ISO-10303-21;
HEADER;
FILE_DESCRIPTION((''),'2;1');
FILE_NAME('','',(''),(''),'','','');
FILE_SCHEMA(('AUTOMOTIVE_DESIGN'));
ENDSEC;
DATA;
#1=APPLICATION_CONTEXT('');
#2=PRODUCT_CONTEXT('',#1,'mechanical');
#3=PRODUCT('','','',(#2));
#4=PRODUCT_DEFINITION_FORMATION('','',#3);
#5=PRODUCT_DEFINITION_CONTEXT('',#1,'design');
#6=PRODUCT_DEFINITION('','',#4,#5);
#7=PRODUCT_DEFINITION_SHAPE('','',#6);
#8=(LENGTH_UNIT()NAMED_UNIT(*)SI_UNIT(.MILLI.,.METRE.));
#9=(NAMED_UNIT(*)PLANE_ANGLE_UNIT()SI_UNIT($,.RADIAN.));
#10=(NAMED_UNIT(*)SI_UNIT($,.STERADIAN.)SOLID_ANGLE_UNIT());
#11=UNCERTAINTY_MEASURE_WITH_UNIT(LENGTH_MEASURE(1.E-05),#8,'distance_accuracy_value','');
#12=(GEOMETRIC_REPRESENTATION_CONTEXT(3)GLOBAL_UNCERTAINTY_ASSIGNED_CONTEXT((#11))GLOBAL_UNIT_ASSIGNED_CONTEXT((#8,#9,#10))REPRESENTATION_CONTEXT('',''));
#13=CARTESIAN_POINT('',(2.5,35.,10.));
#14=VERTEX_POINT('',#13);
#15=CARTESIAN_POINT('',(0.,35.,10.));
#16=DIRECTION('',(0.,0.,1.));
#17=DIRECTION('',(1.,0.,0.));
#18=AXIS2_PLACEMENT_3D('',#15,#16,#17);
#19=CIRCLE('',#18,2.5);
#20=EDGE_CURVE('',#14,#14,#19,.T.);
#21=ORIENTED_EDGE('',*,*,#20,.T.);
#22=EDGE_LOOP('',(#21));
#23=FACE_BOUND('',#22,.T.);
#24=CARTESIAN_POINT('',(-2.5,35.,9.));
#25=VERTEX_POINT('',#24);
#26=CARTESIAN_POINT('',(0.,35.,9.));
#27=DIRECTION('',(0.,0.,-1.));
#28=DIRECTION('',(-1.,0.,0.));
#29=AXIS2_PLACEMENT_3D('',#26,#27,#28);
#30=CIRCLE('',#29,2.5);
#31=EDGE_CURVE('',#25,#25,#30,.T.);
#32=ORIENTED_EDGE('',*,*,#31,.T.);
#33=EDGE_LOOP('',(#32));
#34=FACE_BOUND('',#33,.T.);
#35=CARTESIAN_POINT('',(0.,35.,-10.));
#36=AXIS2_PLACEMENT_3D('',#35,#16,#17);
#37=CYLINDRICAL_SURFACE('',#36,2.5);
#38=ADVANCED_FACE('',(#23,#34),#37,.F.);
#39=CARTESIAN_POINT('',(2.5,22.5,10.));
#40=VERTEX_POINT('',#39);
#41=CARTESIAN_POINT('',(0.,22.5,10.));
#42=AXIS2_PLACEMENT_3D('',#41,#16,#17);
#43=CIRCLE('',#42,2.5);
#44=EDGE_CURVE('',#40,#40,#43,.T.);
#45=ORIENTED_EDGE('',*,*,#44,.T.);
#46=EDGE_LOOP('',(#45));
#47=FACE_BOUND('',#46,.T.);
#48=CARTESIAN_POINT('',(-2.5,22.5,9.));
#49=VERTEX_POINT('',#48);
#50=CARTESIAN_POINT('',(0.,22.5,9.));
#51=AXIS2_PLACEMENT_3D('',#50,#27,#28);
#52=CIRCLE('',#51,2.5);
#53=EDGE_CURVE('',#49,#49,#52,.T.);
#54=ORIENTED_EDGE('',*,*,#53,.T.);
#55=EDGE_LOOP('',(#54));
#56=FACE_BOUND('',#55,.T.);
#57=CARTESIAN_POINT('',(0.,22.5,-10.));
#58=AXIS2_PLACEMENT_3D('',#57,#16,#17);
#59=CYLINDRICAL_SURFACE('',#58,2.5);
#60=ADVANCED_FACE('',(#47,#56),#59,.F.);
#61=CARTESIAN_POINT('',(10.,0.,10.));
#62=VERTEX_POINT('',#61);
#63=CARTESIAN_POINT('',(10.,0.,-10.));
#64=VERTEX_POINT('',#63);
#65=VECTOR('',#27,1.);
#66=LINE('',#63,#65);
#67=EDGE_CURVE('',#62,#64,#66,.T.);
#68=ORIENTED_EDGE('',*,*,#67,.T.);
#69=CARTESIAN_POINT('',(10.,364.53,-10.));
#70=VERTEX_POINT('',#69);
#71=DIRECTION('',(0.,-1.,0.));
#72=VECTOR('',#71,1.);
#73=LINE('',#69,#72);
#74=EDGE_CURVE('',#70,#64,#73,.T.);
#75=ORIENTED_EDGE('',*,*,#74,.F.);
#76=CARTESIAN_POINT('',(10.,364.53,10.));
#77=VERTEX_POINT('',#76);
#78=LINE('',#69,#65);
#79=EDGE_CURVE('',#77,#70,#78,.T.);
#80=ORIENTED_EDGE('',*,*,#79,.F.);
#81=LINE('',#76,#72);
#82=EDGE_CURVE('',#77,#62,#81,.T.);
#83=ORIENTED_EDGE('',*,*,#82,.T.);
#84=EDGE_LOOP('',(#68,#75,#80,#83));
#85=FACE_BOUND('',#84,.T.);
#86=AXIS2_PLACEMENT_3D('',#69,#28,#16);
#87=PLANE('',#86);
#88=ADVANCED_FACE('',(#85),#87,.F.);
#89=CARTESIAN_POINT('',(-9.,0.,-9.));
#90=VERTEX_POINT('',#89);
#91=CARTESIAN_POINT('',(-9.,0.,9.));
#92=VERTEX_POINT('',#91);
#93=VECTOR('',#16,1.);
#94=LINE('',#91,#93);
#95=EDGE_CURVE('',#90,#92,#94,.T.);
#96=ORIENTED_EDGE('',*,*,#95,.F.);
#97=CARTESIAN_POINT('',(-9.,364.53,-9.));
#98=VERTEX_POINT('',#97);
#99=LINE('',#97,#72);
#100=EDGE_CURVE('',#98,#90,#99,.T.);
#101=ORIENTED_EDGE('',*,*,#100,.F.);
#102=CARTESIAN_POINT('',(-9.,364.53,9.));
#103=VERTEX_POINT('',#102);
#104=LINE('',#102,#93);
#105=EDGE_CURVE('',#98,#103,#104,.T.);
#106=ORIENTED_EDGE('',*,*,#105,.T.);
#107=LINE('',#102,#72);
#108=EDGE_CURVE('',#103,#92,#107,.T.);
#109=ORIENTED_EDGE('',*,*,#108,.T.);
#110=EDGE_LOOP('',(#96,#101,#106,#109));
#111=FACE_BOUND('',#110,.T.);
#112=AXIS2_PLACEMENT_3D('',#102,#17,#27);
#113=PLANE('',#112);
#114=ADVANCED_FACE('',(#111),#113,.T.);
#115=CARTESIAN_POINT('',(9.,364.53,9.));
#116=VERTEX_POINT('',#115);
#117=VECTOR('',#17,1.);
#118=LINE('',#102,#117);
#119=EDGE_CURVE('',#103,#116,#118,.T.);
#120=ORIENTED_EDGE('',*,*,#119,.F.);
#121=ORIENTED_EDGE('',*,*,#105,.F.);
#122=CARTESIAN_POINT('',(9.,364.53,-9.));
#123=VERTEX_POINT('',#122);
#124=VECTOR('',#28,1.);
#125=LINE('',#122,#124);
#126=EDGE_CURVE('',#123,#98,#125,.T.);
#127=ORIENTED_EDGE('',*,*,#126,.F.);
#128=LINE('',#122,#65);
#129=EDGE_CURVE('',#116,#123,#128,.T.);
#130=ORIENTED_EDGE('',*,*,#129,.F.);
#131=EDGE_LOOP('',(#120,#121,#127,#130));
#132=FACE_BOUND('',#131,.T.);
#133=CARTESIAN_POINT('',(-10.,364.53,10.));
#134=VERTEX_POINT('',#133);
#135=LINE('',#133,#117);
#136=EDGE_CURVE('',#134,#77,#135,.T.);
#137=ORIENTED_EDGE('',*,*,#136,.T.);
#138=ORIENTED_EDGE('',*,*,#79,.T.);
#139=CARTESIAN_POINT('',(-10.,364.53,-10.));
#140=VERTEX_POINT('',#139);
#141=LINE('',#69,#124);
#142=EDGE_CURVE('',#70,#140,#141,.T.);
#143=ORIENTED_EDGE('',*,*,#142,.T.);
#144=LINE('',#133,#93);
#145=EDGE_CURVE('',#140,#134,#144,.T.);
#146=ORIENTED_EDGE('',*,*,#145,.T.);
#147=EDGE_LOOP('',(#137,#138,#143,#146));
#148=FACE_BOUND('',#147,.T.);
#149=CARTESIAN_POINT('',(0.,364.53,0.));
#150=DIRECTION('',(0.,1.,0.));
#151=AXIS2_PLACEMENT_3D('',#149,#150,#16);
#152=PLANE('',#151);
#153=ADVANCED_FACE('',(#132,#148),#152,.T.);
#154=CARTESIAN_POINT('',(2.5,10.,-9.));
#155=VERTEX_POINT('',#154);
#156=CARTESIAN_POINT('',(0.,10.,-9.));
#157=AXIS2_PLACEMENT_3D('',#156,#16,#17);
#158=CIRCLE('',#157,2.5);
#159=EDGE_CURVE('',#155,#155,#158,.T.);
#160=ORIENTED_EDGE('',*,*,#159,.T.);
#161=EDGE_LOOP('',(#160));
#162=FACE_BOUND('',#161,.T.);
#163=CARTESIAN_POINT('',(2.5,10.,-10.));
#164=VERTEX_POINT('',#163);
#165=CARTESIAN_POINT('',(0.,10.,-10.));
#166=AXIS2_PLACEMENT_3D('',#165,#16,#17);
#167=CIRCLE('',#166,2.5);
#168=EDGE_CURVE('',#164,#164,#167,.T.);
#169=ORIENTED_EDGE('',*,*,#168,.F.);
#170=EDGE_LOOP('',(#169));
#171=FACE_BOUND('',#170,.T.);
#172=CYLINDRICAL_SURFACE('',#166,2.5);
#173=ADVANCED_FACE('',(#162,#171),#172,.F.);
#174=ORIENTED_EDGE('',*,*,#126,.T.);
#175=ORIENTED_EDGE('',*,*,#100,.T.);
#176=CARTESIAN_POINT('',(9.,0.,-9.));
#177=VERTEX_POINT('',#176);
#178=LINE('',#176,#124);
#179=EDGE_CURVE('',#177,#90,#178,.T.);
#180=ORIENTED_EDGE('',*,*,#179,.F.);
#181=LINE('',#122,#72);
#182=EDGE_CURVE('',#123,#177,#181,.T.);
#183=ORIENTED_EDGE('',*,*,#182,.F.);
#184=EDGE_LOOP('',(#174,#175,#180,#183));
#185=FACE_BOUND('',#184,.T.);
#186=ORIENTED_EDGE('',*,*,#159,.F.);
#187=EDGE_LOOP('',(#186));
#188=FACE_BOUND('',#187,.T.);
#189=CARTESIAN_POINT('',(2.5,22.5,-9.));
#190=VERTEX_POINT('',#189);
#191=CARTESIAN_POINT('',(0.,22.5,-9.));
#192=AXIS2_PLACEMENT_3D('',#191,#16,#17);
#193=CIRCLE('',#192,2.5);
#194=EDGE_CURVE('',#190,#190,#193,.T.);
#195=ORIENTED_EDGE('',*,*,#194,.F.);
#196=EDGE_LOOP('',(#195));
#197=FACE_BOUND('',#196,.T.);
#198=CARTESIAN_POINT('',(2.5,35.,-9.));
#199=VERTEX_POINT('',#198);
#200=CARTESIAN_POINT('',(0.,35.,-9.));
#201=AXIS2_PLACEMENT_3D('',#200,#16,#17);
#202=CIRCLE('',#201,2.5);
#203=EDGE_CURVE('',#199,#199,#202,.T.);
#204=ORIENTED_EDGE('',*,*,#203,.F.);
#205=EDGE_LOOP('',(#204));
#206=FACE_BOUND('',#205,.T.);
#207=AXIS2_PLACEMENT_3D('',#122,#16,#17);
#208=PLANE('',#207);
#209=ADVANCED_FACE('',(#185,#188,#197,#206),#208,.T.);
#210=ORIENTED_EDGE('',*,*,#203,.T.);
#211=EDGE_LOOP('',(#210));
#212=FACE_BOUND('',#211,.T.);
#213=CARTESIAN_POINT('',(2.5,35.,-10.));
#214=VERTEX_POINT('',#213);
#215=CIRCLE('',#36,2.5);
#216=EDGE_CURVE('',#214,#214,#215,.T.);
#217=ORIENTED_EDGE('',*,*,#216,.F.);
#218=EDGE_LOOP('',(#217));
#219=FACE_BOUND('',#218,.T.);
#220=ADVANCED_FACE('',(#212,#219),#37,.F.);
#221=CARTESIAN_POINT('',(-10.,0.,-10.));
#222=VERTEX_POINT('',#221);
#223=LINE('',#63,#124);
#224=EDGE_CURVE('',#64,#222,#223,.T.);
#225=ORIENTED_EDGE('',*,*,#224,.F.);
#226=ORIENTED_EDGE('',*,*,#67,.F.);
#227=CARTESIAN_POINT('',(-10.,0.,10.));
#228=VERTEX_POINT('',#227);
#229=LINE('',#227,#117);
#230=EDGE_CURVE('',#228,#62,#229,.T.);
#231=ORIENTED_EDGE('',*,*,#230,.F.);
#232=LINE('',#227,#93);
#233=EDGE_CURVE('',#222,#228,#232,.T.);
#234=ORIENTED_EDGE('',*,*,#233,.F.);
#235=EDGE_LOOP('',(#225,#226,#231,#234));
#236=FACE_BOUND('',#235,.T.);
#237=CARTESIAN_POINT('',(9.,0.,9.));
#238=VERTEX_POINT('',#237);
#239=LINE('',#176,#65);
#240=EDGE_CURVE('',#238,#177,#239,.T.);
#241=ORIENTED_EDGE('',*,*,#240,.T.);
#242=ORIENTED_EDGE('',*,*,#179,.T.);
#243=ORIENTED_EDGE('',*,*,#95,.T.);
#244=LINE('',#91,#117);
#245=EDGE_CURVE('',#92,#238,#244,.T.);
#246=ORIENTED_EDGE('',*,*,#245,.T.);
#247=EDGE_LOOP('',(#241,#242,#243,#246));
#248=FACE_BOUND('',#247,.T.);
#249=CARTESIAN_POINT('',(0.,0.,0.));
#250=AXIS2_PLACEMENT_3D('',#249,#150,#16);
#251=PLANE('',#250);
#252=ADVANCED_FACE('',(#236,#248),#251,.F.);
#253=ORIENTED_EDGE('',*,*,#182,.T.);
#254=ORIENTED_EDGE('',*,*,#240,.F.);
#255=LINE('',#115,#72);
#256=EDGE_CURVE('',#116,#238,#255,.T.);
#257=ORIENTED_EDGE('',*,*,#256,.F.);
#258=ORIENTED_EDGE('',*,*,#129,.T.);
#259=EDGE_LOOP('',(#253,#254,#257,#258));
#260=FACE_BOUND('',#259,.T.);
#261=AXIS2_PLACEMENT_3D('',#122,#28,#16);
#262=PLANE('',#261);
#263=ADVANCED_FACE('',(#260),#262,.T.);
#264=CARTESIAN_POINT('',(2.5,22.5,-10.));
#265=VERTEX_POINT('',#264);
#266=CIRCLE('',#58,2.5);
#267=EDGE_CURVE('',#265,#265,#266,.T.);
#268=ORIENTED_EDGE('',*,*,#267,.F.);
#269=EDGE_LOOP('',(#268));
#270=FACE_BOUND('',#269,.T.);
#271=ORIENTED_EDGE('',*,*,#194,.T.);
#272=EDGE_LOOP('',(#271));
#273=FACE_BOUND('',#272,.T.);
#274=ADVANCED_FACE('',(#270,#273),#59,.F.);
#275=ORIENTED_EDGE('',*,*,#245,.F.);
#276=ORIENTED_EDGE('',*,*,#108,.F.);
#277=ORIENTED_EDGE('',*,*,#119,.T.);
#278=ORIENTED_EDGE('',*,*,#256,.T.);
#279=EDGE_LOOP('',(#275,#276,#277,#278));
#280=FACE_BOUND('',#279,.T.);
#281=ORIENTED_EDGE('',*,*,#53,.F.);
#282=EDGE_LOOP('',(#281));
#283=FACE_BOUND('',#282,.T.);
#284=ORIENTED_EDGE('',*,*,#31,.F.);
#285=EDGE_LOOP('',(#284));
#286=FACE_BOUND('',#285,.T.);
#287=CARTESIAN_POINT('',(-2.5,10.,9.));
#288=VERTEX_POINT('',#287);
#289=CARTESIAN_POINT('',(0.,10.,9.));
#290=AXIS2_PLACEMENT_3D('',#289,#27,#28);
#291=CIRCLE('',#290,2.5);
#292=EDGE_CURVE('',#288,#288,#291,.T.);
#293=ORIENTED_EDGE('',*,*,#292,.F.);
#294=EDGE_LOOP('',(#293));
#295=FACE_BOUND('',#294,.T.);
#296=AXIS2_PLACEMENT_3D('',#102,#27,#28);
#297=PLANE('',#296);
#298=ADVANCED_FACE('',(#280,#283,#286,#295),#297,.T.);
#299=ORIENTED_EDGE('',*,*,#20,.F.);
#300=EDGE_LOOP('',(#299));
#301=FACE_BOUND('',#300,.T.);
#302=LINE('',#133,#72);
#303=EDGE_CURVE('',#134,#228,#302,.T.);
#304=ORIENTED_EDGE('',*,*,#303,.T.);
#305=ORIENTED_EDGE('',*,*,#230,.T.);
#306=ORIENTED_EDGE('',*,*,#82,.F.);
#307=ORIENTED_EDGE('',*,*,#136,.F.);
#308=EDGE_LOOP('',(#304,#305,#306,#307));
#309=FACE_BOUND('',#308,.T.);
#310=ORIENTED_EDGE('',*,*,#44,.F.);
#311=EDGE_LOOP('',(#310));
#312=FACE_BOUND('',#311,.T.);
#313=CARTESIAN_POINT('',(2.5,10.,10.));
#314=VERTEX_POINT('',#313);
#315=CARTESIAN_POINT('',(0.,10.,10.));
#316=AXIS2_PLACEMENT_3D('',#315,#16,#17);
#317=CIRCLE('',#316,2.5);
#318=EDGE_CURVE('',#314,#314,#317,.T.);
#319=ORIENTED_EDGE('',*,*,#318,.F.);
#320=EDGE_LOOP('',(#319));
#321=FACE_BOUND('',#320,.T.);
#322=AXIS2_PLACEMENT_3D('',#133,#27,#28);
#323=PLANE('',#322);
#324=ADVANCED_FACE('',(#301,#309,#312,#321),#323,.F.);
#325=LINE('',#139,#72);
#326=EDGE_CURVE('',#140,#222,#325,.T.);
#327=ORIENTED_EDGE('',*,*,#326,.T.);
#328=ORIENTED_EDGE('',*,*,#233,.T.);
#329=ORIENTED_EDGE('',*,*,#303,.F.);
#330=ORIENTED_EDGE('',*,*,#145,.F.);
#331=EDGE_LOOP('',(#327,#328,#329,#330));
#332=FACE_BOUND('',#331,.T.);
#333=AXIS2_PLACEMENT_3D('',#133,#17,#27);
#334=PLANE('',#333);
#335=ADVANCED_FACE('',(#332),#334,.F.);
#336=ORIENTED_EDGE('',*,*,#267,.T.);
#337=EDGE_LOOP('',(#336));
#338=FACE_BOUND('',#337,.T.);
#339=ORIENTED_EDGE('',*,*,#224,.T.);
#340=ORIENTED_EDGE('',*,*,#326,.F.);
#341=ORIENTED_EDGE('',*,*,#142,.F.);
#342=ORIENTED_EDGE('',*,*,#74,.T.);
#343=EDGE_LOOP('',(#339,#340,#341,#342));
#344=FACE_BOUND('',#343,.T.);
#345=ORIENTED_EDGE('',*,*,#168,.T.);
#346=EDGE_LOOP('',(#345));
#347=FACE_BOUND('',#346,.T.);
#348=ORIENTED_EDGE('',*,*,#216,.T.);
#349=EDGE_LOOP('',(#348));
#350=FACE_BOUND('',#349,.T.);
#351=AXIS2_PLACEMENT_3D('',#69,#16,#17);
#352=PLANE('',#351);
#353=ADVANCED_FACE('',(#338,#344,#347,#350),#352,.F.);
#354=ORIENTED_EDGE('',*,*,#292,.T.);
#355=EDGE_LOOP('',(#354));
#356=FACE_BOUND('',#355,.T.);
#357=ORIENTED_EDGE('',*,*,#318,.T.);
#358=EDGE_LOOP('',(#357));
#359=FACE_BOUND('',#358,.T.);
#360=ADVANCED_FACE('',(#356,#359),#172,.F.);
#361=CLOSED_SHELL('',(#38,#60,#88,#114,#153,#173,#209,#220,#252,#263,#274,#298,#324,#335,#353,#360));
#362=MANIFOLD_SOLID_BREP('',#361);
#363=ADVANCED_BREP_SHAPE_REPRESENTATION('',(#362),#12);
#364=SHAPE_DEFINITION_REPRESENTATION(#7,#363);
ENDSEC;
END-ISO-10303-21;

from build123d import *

# Parameters (mm, degrees)
SKETCH1_W             = 20
SKETCH1_H             = 20
SKETCH1_W_2           = 18
SKETCH1_H_2           = 18
F_20_X_20_X_2_1_DEPTH = 364.53
SKETCH_2_R            = 2.5
CUT_EXTRUDE_1_DEPTH   = 366.215170687


with BuildPart() as part:
    # Sketch1 → 方形管 20 X 20 X 2(1) (new body)
    with BuildSketch(Plane(origin=(0, 0, 0), x_dir=(-1, 0, 0), z_dir=(0, 1, 0))):
        Rectangle(SKETCH1_W, SKETCH1_H)
        Rectangle(SKETCH1_W_2, SKETCH1_H_2, mode=Mode.SUBTRACT)
    extrude(amount=F_20_X_20_X_2_1_DEPTH)

    # 草图2 → 切除-拉伸1 (cut, through all)
    with BuildSketch(Plane.XY.offset(10)):
        with Locations((0, 10)):
            Circle(SKETCH_2_R)
        with Locations((0, 22.5)):
            Circle(SKETCH_2_R)
        with Locations((0, 35)):
            Circle(SKETCH_2_R)
    extrude(amount=-CUT_EXTRUDE_1_DEPTH, mode=Mode.SUBTRACT)


solid = part.part
